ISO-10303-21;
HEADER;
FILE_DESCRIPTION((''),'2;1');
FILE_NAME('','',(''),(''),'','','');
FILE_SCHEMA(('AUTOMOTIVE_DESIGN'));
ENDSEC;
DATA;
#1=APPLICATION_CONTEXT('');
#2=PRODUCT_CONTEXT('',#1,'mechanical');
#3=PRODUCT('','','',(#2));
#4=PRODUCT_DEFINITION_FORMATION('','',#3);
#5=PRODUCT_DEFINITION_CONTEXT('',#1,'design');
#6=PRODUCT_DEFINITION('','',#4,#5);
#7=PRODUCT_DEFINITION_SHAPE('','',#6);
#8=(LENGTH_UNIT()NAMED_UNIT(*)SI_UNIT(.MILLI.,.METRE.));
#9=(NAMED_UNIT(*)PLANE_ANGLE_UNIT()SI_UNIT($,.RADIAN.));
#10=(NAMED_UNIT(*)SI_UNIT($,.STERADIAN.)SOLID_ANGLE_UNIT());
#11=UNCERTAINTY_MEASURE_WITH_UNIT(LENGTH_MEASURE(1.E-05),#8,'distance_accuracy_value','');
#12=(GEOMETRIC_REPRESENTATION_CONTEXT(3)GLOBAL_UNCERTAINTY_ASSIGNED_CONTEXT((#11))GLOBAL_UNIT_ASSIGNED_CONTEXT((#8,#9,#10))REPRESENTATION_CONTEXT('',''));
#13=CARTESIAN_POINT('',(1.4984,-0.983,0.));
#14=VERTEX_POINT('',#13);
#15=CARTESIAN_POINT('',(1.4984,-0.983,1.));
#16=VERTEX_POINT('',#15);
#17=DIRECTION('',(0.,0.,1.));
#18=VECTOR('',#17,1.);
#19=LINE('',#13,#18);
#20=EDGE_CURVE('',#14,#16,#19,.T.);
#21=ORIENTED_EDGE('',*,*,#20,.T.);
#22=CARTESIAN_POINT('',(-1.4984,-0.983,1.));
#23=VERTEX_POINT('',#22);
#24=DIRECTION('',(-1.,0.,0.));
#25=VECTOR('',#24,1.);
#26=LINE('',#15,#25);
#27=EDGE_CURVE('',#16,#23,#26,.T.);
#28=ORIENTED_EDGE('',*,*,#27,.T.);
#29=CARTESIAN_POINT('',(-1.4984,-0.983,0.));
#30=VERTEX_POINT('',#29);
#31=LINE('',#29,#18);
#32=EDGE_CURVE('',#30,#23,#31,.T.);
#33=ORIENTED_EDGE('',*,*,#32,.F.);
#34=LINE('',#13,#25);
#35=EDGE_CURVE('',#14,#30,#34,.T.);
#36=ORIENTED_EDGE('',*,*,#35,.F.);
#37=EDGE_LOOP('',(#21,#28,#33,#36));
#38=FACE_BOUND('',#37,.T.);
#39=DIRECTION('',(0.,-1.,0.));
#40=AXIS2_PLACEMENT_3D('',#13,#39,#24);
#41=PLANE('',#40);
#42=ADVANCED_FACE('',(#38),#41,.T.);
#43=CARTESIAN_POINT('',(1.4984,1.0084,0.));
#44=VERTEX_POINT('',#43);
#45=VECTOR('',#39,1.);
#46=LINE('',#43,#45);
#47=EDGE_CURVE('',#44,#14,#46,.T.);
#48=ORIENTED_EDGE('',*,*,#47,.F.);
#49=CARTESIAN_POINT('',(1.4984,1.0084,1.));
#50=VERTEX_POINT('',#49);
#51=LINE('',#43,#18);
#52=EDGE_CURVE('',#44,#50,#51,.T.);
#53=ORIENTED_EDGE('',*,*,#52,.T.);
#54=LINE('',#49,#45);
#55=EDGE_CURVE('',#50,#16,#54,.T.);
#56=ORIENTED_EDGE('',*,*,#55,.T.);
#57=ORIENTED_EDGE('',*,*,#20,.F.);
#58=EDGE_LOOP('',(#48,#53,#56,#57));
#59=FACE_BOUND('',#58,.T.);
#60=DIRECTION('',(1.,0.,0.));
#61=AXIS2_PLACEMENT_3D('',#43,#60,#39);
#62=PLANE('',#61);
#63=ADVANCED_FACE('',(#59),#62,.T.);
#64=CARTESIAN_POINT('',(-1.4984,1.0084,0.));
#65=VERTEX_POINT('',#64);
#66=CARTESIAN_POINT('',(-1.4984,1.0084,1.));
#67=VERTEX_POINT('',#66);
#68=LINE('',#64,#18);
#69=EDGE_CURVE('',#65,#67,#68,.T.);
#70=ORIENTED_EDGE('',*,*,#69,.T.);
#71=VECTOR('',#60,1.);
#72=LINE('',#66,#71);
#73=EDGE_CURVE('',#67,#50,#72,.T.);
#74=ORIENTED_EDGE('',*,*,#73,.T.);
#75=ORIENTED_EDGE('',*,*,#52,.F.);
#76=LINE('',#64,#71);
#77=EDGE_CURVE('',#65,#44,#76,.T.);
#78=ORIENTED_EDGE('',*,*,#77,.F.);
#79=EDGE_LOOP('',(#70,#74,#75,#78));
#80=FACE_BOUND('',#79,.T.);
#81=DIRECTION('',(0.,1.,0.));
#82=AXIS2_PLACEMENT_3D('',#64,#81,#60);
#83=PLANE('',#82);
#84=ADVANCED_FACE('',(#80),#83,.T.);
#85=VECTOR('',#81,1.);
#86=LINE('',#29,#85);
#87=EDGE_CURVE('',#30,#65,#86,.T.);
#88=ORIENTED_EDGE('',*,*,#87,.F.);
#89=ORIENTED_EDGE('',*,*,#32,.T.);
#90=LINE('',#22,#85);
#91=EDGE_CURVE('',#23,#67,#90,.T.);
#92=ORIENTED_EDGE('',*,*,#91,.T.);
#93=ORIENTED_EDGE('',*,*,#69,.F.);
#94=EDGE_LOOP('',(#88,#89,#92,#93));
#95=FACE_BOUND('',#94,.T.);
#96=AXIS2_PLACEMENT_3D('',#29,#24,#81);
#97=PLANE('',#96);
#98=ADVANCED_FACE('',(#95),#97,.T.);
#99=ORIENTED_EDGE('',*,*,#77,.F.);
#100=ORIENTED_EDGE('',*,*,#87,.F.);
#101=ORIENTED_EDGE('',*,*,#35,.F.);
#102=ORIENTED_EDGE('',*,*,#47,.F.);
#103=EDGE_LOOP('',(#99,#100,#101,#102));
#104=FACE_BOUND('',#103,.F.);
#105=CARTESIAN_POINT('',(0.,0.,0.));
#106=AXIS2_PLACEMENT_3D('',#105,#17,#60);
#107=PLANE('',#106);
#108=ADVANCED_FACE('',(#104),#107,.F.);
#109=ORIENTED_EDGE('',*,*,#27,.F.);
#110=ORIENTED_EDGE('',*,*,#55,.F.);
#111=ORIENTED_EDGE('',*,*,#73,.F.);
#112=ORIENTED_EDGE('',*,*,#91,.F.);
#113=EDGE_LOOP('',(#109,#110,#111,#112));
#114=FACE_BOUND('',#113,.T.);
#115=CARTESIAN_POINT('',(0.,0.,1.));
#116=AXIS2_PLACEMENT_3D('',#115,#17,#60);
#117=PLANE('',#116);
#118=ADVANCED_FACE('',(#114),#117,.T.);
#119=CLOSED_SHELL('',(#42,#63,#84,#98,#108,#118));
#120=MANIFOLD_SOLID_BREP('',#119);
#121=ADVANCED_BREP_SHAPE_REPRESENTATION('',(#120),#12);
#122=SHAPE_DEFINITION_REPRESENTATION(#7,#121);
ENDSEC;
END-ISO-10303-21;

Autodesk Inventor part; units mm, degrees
ref_plane "YZ Plane" through (0, 0, 0) normal (1, 0, 0) x (0, 1, 0)
ref_plane "XZ Plane" through (0, 0, 0) normal (0, 1, 0) x (-1, 0, 0)
ref_plane "XY Plane" through (0, 0, 0) normal (0, 0, 1) x (1, 0, 0)
sketch "0603-RES, 330_49" plane through (0, 0, 0) normal (0, 0, 1) x (1, 0, 0)
  line L0 (-1.4984, 1.0084) -> (1.4984, 1.0084)
  line L1 (1.4984, 1.0084) -> (1.4984, -0.983)
  line L2 (1.4984, -0.983) -> (-1.4984, -0.983)
  line L3 (-1.4984, -0.983) -> (-1.4984, 1.0084)
extrude "Extrusion1" add sketch "0603-RES, 330_49" along normal blind 1
properties part number "330"
